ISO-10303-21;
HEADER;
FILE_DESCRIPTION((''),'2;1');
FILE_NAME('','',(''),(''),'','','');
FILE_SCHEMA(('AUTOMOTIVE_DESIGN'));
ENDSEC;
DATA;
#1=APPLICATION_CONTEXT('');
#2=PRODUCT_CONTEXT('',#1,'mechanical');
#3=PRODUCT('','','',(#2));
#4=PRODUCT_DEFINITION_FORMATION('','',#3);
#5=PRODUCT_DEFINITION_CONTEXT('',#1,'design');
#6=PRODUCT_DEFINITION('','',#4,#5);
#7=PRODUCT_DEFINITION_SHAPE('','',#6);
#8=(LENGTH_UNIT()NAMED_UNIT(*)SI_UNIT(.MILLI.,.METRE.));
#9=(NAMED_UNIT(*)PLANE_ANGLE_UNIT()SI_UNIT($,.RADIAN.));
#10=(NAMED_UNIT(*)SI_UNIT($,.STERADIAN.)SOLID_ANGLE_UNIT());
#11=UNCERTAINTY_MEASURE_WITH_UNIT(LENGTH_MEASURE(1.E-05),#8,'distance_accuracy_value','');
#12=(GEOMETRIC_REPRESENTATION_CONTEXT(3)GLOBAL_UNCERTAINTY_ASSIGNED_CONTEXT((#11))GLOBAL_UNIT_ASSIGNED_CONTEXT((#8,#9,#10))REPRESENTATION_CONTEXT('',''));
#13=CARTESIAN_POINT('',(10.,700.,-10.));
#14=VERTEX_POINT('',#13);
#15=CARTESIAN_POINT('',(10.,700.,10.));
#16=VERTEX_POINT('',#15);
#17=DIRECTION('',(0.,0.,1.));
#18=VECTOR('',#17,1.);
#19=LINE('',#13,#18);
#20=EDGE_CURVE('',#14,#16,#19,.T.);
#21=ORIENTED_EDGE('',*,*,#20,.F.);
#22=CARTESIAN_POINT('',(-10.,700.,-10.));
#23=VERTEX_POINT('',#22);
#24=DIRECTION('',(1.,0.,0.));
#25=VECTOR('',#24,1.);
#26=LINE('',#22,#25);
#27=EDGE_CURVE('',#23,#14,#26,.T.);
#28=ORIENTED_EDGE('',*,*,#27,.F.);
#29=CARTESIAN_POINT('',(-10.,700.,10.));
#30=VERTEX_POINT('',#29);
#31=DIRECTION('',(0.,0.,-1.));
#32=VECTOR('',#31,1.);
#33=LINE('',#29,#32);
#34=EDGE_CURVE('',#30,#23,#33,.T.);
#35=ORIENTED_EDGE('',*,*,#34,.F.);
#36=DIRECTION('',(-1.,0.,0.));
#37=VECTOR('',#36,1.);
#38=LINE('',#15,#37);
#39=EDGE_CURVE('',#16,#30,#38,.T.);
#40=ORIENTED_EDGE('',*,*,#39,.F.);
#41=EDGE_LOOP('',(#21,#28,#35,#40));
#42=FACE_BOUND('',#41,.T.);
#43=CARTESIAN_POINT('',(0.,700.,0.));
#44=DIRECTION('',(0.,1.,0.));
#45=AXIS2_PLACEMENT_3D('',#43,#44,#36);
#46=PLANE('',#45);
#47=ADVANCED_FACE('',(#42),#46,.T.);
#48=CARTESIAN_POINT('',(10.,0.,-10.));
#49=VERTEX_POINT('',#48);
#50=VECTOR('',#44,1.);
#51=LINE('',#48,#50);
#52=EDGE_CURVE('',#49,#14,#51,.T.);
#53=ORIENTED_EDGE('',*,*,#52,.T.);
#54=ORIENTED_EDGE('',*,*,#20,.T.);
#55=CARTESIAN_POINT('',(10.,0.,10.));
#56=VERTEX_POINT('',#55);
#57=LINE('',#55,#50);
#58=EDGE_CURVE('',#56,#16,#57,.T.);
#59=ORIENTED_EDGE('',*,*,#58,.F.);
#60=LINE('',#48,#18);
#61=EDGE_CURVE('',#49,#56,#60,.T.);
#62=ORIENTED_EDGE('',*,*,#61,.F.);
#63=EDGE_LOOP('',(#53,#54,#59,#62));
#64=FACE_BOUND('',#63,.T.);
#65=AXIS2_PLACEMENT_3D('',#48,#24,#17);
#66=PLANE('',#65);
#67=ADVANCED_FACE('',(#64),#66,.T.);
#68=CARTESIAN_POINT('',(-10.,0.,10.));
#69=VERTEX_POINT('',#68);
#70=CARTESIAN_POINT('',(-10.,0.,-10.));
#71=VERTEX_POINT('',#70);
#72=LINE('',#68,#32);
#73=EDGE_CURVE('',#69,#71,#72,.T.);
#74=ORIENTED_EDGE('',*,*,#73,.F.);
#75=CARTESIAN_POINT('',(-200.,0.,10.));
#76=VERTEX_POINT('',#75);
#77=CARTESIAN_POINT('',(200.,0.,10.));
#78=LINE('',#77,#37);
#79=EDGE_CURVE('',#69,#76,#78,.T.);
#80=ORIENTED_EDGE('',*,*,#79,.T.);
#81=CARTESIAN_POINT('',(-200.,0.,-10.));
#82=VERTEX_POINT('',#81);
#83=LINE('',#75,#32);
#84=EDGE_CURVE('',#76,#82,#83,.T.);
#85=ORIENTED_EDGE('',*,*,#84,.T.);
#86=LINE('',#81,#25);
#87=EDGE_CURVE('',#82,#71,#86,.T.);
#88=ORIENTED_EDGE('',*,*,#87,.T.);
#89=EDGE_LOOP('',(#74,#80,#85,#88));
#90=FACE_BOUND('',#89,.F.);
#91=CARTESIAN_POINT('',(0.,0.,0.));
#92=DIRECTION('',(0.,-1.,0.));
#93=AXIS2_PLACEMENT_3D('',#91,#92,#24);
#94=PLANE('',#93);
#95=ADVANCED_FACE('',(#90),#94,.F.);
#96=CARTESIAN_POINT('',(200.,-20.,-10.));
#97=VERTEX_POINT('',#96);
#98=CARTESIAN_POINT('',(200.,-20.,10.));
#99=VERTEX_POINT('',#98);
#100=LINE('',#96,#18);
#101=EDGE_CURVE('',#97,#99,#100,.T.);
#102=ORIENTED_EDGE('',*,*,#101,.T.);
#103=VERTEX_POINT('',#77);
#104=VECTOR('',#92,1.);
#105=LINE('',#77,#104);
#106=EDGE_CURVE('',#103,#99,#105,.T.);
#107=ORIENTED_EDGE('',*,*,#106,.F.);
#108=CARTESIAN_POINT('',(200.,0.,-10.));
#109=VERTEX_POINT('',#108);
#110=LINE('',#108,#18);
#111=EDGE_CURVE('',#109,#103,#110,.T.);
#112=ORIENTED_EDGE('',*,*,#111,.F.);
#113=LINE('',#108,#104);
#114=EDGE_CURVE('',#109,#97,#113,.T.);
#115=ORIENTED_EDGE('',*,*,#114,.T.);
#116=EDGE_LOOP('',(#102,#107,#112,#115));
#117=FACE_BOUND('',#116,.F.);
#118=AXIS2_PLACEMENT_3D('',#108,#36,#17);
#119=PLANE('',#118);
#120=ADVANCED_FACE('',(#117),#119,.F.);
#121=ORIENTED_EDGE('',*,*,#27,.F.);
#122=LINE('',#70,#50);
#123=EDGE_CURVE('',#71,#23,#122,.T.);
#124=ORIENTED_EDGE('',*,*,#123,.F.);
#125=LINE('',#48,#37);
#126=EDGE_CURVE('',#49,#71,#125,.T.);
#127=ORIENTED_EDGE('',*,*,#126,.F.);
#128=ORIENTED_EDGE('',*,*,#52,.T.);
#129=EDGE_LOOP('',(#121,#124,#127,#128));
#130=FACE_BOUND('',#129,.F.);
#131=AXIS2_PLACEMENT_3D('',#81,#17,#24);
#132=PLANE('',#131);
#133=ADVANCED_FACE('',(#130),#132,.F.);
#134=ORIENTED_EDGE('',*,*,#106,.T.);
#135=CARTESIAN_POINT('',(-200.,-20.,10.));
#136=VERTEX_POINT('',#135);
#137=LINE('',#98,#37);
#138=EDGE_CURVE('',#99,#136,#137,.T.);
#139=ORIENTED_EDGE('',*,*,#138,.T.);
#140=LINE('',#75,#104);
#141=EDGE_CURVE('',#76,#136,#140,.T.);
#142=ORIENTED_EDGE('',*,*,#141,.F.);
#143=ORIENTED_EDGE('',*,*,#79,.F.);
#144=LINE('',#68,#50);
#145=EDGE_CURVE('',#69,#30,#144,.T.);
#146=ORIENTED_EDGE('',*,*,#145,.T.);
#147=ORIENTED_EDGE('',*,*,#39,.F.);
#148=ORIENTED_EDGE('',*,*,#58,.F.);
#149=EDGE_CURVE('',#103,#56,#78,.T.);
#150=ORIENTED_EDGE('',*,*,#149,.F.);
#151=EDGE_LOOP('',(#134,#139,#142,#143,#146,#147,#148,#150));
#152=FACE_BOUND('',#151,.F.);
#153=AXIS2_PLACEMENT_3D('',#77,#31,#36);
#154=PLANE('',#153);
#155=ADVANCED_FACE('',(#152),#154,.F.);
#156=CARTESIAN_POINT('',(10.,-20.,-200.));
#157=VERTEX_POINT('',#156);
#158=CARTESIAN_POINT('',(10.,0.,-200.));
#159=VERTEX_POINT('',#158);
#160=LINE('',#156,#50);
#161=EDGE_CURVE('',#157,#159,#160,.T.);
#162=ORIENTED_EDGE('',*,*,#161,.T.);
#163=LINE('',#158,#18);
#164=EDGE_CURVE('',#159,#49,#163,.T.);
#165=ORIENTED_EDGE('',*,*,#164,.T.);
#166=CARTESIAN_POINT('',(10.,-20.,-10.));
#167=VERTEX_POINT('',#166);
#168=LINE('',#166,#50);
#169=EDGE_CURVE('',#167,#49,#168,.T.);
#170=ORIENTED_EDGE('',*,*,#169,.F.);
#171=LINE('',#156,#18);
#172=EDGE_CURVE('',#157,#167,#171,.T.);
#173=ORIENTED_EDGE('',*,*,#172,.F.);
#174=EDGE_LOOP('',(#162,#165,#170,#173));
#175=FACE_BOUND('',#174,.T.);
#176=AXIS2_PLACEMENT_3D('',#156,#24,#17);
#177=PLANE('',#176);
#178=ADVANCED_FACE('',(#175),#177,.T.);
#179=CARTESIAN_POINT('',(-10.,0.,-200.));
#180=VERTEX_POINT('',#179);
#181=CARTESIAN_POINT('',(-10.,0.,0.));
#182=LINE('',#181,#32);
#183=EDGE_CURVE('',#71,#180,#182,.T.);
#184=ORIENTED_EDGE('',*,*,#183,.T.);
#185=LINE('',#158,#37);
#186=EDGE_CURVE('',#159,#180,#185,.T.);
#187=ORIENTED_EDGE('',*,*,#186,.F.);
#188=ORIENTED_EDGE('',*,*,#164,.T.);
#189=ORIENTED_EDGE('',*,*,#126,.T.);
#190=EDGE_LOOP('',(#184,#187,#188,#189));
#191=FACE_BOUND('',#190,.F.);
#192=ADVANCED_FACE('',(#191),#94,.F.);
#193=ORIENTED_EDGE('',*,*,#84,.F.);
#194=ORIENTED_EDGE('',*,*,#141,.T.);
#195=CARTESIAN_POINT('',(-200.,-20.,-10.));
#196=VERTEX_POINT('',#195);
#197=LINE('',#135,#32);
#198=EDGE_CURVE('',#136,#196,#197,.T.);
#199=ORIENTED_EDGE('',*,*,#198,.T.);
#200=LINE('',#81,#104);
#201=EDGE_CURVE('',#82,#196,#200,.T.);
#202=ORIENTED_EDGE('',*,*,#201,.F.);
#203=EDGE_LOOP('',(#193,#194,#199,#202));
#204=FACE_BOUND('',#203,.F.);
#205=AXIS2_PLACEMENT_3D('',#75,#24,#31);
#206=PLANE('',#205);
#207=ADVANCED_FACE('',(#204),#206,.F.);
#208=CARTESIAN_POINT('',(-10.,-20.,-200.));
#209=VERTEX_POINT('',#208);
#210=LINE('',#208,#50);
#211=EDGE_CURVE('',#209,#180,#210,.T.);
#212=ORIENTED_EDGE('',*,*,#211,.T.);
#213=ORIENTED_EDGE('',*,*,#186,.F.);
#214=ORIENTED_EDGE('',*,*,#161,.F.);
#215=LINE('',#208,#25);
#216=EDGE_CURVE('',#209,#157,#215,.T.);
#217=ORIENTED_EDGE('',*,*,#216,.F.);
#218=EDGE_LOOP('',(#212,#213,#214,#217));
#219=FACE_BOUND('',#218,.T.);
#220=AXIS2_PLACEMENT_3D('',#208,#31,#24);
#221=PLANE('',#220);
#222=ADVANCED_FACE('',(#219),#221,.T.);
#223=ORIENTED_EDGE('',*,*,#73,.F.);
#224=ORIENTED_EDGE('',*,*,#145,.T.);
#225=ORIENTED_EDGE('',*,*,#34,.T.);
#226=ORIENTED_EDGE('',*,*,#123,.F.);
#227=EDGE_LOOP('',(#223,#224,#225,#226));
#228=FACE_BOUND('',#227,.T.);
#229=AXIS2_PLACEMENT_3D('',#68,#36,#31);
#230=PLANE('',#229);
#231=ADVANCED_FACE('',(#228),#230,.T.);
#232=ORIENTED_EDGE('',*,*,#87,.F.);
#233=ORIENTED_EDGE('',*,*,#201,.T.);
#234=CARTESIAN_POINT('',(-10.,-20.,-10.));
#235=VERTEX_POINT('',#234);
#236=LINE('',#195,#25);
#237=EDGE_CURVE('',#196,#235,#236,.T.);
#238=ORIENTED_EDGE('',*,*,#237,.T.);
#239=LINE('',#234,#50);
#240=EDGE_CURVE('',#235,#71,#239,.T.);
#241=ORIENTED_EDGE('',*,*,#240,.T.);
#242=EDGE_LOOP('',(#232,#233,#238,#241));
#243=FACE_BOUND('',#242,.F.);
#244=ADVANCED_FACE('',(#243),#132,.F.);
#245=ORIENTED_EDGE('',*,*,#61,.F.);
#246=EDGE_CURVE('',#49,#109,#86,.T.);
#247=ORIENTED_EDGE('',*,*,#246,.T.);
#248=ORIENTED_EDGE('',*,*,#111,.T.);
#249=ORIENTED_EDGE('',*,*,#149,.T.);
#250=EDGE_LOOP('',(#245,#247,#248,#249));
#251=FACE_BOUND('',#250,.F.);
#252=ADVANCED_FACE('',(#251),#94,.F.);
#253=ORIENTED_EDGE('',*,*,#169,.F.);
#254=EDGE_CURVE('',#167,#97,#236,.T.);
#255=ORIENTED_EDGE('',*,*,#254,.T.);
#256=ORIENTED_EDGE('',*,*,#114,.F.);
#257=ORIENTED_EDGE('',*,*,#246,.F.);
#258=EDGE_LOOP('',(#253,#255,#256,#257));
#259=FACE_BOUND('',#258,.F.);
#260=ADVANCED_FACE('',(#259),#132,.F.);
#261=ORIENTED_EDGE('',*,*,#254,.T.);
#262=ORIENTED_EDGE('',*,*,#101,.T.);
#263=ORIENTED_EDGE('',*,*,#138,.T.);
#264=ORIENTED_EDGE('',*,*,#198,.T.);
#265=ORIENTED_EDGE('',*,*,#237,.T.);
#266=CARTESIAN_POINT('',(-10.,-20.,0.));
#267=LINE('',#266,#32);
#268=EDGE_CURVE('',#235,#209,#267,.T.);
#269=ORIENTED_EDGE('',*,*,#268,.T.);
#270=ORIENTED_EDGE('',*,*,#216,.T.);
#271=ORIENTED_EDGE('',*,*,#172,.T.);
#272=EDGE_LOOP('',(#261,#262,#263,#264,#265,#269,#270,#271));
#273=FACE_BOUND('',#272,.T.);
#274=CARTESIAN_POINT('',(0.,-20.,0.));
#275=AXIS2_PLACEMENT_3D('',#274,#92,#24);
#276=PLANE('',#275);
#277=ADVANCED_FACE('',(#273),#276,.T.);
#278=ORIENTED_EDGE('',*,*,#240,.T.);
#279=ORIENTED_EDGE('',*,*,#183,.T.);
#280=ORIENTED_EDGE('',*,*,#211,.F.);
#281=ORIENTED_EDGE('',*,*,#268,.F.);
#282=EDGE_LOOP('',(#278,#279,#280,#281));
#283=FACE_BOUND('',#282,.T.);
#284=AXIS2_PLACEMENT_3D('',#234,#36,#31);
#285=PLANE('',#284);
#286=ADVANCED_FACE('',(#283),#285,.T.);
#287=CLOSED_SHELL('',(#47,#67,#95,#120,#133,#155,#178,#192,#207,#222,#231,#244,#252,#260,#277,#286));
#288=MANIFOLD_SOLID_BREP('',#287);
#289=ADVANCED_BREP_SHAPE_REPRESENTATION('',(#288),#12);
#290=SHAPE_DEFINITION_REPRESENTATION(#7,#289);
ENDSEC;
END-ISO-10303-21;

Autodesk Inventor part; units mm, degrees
ref_plane "YZ Plane" through (0, 0, 0) normal (1, 0, 0) x (0, 1, 0)
ref_plane "XZ Plane" through (0, 0, 0) normal (0, 1, 0) x (-1, 0, 0)
ref_plane "XY Plane" through (0, 0, 0) normal (0, 0, 1) x (1, 0, 0)
sketch "Sketch1" plane through (0, 0, 0) normal (0, 1, 0) x (-1, 0, 0)
  line L0 (10, -10) -> (-10, -10)
  line L1 (-10, -10) -> (-10, 10)
  line L2 (-10, 10) -> (10, 10)
  line L3 (10, 10) -> (10, -10)
  line L4 (10, -10) -> (-10, 10) construction
  line L5 (-10, -10) -> (10, 10) construction
  point P0 (0, 0)
  dimension "d0" = 20
  dimension "d1" = 20
extrude "Extrusion1" add sketch "Sketch1" along normal blind 700
sketch "Sketch2" plane through (0, 0, 0) normal (0, -1, 0) x (1, 0, 0)
  line L0 (-200, -10) -> (200, -10)
  line L1 (200, -10) -> (200, 10)
  line L2 (200, 10) -> (-200, 10)
  line L3 (-200, 10) -> (-200, -10)
  line L4 (-200, -10) -> (200, 10) construction
  line L5 (200, -10) -> (-200, 10) construction
  point P0 (0, 0)
  dimension "d4" = 400
  dimension "d5" = 20
extrude "Extrusion2" add sketch "Sketch2" along normal blind 20
sketch "Sketch3" plane through (0, -20, 0) normal (0, -1, 0) x (1, 0, 0)
  line L0 (-200, 10) -> (-200, -10) projected
  line L1 (-200, -10) -> (200, -10) projected
  line L2 (200, -10) -> (200, 10) projected
  line L3 (200, 10) -> (-200, 10) projected
  line L4 (0, 0) -> (0, -200)
  line L5 (10, 0) -> (-10, 0)
  line L6 (-10, 0) -> (-10, -200)
  line L7 (-10, -200) -> (10, -200)
  line L8 (10, -200) -> (10, 0)
  line L9 (10, 0) -> (-10, -200) construction
  line L10 (-10, 0) -> (10, -200) construction
  point P0 (0, -100)
  point P1 (10, -10)
  point P2 (-10, -10)
  dimension "d8" = 200
  dimension "d9" = 20
  dimension "d10" = 200
extrude "Extrusion3" add sketch "Sketch3" against normal blind 20 contours L1 L4 L7 L6 | L1 L8 L7 L4
properties part number "leg_sim_stand"
